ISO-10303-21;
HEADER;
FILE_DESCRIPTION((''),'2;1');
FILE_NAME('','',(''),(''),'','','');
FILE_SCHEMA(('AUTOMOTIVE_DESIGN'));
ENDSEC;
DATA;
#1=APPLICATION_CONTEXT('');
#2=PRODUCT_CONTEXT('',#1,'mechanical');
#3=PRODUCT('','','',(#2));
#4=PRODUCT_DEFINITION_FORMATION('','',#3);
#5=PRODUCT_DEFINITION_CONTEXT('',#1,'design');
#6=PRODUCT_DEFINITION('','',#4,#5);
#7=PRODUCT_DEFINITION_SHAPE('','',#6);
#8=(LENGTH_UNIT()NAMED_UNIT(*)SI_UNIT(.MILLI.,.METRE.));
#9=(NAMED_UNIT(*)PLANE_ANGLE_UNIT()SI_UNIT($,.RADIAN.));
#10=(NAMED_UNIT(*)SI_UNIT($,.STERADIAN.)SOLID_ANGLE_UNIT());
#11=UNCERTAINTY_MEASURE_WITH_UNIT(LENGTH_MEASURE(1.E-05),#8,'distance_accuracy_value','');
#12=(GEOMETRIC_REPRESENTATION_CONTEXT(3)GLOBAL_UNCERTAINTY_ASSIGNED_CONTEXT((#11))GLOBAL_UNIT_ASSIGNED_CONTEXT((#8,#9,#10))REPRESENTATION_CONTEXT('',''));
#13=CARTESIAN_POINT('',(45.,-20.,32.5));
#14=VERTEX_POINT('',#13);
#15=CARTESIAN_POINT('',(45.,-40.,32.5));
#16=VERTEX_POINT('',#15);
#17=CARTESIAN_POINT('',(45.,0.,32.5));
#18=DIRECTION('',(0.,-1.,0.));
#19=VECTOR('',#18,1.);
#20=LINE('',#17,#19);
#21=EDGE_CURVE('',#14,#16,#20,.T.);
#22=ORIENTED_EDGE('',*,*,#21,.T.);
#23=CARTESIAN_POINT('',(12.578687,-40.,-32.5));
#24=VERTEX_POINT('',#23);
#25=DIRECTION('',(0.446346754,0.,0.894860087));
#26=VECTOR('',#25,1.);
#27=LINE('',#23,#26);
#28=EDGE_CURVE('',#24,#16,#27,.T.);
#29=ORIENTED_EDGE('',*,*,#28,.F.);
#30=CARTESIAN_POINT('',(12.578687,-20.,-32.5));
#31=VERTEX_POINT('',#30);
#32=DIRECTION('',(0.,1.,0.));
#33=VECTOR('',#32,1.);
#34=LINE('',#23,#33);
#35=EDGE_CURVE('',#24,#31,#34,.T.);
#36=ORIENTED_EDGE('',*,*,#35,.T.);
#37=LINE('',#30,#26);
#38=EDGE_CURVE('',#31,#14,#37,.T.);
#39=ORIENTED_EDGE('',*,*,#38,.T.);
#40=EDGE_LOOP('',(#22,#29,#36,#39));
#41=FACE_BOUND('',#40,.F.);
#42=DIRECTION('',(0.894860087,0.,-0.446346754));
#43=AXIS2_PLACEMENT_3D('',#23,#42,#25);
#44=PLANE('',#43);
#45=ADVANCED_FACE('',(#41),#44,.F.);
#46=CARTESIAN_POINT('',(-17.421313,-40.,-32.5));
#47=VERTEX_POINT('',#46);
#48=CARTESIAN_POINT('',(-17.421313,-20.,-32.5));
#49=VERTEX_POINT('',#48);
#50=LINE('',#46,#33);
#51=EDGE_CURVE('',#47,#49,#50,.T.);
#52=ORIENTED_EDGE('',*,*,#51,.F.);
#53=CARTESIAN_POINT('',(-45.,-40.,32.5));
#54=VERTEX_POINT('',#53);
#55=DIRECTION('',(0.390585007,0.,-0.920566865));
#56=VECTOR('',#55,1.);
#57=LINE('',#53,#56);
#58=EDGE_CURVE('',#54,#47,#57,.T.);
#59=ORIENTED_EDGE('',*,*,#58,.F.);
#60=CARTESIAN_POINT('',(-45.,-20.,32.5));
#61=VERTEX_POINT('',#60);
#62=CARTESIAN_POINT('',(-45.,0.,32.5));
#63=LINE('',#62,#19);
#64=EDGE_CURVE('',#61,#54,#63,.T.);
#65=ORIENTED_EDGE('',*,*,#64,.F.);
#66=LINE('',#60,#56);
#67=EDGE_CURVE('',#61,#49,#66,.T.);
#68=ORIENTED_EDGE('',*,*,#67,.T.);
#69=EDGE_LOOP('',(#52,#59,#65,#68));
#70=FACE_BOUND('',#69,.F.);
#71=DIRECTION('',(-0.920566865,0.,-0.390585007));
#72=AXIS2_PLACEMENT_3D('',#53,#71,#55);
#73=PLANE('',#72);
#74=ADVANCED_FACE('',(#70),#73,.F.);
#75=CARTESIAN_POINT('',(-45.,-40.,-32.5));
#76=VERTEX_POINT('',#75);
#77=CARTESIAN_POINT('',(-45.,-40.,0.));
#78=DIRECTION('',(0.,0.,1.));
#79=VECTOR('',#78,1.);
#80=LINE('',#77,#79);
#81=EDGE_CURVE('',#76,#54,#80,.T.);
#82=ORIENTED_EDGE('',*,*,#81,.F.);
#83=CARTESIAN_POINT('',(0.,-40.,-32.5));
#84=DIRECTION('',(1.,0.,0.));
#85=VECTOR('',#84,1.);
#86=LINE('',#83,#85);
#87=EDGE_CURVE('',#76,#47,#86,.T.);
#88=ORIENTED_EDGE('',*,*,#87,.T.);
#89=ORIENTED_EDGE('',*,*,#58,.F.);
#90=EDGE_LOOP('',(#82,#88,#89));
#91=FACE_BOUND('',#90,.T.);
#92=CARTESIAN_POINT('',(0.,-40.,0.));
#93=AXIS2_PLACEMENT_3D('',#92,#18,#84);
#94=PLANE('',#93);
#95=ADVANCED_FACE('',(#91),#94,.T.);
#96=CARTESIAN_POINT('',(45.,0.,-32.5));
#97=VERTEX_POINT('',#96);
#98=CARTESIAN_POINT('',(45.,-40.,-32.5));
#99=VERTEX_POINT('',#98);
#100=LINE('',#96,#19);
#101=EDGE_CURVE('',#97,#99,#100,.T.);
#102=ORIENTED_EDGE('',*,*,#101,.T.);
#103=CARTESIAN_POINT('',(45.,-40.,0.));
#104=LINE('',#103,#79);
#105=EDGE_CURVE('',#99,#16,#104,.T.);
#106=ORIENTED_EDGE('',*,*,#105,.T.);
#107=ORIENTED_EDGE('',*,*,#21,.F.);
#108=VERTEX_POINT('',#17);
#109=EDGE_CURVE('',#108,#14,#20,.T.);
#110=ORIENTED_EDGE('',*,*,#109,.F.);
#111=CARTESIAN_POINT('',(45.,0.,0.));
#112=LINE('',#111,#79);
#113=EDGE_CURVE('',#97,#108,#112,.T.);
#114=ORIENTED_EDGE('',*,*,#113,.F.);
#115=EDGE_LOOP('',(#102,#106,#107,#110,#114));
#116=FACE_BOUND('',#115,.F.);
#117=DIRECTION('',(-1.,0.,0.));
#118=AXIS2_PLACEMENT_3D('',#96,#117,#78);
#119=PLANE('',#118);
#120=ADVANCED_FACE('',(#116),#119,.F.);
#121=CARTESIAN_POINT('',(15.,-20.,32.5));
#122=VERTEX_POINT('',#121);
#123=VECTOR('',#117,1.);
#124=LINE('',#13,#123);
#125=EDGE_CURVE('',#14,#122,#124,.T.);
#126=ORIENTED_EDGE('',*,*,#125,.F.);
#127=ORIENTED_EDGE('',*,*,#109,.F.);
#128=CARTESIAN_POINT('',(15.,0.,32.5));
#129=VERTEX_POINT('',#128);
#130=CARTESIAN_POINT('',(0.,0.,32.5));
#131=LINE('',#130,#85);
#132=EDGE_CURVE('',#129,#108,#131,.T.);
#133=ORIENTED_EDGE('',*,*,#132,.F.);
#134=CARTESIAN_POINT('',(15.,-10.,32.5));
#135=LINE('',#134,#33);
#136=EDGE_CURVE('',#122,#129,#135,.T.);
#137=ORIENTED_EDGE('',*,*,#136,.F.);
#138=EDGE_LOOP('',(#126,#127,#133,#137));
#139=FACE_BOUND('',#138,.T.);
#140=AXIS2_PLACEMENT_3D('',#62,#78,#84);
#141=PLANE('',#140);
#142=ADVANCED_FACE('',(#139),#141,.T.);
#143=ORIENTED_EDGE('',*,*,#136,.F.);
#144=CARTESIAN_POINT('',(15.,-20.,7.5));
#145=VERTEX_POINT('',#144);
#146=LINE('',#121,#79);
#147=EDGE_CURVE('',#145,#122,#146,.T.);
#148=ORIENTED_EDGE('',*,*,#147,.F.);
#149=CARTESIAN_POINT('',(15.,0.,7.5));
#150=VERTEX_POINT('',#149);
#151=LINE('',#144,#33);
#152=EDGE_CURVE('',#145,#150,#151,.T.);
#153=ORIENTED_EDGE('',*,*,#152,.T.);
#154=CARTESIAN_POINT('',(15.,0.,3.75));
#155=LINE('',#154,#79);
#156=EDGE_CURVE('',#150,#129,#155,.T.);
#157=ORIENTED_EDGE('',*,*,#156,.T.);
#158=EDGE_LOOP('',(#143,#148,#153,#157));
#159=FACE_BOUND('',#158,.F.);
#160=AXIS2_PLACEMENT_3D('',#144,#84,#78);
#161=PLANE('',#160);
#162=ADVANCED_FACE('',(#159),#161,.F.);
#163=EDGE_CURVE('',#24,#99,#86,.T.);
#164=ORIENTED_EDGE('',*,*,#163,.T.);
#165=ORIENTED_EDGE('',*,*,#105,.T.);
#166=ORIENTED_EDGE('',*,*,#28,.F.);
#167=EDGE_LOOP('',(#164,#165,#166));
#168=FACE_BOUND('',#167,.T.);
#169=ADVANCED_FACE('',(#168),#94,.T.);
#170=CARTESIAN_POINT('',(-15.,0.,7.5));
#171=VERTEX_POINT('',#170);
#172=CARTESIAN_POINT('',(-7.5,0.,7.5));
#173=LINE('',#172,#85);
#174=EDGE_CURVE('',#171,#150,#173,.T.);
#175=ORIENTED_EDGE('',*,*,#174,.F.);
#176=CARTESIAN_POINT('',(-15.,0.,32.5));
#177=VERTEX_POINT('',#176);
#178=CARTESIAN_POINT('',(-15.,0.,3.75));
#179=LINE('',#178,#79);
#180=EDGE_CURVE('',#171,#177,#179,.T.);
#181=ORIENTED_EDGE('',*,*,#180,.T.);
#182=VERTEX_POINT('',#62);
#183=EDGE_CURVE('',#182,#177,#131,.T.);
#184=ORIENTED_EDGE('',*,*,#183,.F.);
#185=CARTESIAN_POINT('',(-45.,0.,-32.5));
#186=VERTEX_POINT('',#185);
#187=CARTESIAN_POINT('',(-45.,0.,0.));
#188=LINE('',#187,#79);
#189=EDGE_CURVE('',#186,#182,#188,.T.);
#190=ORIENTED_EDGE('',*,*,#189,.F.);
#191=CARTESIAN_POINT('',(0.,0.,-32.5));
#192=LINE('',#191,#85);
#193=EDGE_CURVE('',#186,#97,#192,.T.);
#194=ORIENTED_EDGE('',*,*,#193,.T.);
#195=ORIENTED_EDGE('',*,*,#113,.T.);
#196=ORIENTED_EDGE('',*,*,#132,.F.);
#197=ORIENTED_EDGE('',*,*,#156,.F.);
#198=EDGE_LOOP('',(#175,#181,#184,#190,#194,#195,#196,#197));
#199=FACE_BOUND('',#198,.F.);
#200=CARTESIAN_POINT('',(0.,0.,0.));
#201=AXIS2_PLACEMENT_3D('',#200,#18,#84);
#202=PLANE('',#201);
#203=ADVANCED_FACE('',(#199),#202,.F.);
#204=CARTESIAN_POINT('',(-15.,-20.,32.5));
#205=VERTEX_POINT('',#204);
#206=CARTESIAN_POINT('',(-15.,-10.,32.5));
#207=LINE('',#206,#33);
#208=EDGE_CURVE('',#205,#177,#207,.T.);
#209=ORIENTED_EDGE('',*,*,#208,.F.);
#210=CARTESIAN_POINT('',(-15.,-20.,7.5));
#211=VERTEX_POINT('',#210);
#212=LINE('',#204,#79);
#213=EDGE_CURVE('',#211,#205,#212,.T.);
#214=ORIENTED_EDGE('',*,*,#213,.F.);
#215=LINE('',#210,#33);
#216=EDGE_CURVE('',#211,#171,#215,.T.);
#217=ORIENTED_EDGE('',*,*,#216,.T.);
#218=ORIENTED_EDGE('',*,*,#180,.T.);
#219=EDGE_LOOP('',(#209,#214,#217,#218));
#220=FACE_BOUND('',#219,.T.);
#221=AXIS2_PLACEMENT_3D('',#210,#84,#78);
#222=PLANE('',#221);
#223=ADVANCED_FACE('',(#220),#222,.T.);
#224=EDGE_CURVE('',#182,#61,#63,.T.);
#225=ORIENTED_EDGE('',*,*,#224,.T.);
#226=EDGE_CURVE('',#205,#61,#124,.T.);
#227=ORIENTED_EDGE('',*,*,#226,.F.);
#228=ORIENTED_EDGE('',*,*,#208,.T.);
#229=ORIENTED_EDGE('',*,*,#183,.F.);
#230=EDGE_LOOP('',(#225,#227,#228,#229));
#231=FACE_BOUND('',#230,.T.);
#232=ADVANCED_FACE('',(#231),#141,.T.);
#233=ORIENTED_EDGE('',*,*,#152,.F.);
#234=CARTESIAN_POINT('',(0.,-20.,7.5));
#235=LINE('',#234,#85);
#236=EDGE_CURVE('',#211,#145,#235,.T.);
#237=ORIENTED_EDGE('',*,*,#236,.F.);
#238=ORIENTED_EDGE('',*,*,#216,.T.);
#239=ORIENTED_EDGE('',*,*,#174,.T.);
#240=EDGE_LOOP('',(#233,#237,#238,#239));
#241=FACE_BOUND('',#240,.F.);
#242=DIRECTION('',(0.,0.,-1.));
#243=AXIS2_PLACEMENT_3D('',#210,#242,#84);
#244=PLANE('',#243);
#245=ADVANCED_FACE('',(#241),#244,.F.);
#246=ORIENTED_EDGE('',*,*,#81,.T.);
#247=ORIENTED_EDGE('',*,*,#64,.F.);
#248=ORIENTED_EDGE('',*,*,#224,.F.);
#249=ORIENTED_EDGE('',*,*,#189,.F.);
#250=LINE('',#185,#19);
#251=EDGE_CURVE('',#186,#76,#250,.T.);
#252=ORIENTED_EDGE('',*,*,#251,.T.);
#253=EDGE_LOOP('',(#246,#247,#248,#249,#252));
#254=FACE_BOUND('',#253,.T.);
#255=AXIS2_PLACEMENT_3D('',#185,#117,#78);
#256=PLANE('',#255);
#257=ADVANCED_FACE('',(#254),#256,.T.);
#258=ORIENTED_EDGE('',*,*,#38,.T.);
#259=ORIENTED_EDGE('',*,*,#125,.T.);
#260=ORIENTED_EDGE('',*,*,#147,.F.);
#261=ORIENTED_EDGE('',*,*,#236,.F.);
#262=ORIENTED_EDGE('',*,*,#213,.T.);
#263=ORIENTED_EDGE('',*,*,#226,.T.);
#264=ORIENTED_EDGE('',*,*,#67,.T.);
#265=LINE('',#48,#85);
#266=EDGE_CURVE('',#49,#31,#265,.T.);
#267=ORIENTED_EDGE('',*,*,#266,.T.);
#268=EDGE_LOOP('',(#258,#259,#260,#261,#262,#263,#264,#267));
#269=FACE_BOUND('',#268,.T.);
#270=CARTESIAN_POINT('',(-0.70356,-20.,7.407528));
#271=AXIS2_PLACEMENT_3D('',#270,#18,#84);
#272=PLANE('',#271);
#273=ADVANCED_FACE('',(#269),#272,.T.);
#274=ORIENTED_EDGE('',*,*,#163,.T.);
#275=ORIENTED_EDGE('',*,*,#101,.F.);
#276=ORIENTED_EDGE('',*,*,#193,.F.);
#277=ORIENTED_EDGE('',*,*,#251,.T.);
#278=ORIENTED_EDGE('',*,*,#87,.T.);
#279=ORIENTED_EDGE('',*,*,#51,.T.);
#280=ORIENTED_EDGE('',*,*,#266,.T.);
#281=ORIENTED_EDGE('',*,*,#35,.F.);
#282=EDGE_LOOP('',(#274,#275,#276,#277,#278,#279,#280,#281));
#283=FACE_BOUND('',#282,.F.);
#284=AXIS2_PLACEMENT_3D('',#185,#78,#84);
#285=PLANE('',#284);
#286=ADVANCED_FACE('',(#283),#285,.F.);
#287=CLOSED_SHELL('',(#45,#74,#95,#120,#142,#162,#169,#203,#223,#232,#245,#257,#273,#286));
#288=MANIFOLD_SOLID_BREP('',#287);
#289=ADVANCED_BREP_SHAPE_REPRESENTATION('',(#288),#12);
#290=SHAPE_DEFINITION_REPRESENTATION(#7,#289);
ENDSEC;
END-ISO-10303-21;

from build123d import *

# Parameters (mm, degrees)
F0_W     = 90
F0_H     = 65
F1_DEPTH = 40
F3_DEPTH = 20
F4_W     = 30
F4_H     = 50
F5_DEPTH = 20.001


with BuildPart() as f1:
    # F0 (on Front) → F1 (new body)
    with BuildSketch(Plane.XZ):
        Rectangle(F0_W, F0_H)
    extrude(amount=F1_DEPTH)

    # F2 (on face) → F3 (cut)
    with BuildSketch(Plane.XZ.offset(40)):
        Polygon((-45, 32.5), (-17.421313, -32.5), (12.578687, -32.5), (45, 32.5), align=None)
    extrude(amount=-F3_DEPTH, mode=Mode.SUBTRACT)

    # F4 (on face) → F5 (cut, through all)
    with BuildSketch(Plane.XZ.offset(20)):
        with Locations((0, 32.5)):
            Rectangle(F4_W, F4_H)
    extrude(amount=-F5_DEPTH, mode=Mode.SUBTRACT)


solid = f1.part
